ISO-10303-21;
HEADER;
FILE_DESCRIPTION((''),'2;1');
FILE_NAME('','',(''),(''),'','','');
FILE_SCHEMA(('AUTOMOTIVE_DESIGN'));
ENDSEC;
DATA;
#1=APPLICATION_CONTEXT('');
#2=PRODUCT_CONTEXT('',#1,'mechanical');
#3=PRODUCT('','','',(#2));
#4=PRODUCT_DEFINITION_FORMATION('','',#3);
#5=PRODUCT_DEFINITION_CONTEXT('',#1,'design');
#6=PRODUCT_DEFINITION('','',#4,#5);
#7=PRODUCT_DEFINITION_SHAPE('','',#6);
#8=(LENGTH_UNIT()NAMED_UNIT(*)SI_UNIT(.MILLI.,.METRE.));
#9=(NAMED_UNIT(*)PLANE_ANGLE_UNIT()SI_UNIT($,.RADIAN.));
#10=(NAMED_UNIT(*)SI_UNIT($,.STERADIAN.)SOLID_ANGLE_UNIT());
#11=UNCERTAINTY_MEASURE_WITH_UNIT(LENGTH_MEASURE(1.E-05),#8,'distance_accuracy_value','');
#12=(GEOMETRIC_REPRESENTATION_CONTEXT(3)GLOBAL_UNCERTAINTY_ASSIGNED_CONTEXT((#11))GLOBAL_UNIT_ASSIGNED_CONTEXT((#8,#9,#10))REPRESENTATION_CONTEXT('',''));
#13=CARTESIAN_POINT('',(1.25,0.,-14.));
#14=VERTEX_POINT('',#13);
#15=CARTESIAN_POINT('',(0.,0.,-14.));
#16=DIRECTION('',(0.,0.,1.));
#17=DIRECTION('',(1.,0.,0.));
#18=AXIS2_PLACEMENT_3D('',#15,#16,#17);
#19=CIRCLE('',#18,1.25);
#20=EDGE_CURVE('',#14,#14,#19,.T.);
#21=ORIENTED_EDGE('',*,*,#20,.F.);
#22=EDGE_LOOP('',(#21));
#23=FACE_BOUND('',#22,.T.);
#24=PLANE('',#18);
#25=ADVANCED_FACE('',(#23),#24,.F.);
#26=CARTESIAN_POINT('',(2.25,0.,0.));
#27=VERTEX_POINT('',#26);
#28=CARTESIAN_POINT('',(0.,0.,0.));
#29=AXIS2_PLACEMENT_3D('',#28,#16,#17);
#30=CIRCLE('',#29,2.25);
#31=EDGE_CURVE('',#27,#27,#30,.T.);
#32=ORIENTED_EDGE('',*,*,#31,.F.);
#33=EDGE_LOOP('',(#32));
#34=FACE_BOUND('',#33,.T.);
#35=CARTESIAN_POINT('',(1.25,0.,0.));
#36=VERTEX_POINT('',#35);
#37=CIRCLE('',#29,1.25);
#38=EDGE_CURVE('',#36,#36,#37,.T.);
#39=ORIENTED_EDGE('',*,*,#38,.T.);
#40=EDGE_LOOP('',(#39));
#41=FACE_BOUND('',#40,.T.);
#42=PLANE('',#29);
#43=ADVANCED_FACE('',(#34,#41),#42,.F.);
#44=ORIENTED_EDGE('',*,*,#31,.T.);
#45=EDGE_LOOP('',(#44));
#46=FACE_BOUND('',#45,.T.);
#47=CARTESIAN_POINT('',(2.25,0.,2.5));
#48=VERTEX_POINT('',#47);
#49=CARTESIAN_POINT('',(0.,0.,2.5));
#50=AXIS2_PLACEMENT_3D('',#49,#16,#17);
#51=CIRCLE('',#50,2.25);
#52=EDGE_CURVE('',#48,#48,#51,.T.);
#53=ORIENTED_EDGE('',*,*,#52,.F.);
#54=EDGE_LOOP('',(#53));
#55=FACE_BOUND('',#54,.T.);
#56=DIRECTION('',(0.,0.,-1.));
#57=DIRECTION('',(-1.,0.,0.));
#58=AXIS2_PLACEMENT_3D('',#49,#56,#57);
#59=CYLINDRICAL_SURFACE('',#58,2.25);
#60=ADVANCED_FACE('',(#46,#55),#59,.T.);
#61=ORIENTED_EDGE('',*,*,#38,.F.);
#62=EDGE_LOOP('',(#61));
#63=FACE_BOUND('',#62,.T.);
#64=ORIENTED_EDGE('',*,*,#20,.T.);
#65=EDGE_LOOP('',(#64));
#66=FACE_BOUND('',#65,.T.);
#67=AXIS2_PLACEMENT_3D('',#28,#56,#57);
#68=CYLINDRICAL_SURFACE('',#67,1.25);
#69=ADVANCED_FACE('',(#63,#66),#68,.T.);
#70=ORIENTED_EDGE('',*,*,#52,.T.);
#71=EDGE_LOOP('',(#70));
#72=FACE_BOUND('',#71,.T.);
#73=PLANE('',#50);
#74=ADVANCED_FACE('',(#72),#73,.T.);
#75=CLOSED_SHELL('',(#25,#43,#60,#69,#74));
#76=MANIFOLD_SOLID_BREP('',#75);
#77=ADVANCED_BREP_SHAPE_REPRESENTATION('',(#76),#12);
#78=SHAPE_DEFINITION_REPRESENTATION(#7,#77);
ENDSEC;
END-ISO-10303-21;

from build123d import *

# Parameters (mm, degrees)
SHANK_NOMINAL_THREAD_ENVELOPE_START     = -14
SHANK_NOMINAL_THREAD_ENVELOPE_PROFILE_R = 1.25
SHANK_NOMINAL_THREAD_ENVELOPE_DEPTH     = 14
SOCKET_HEAD_ENVELOPE_PROFILE_R          = 2.25
SOCKET_HEAD_ENVELOPE_DEPTH              = 2.5


with BuildPart() as part:
    # Shank_nominal_thread_envelope_profile → Shank_nominal_thread_envelope (new body)
    with BuildSketch(Plane.XY.offset(SHANK_NOMINAL_THREAD_ENVELOPE_START)):
        Circle(SHANK_NOMINAL_THREAD_ENVELOPE_PROFILE_R)
    extrude(amount=SHANK_NOMINAL_THREAD_ENVELOPE_DEPTH)

    # Socket_head_envelope_profile → Socket_head_envelope (add)
    with BuildSketch(Plane.XY):
        Circle(SOCKET_HEAD_ENVELOPE_PROFILE_R)
    extrude(amount=SOCKET_HEAD_ENVELOPE_DEPTH)


solid = part.part
